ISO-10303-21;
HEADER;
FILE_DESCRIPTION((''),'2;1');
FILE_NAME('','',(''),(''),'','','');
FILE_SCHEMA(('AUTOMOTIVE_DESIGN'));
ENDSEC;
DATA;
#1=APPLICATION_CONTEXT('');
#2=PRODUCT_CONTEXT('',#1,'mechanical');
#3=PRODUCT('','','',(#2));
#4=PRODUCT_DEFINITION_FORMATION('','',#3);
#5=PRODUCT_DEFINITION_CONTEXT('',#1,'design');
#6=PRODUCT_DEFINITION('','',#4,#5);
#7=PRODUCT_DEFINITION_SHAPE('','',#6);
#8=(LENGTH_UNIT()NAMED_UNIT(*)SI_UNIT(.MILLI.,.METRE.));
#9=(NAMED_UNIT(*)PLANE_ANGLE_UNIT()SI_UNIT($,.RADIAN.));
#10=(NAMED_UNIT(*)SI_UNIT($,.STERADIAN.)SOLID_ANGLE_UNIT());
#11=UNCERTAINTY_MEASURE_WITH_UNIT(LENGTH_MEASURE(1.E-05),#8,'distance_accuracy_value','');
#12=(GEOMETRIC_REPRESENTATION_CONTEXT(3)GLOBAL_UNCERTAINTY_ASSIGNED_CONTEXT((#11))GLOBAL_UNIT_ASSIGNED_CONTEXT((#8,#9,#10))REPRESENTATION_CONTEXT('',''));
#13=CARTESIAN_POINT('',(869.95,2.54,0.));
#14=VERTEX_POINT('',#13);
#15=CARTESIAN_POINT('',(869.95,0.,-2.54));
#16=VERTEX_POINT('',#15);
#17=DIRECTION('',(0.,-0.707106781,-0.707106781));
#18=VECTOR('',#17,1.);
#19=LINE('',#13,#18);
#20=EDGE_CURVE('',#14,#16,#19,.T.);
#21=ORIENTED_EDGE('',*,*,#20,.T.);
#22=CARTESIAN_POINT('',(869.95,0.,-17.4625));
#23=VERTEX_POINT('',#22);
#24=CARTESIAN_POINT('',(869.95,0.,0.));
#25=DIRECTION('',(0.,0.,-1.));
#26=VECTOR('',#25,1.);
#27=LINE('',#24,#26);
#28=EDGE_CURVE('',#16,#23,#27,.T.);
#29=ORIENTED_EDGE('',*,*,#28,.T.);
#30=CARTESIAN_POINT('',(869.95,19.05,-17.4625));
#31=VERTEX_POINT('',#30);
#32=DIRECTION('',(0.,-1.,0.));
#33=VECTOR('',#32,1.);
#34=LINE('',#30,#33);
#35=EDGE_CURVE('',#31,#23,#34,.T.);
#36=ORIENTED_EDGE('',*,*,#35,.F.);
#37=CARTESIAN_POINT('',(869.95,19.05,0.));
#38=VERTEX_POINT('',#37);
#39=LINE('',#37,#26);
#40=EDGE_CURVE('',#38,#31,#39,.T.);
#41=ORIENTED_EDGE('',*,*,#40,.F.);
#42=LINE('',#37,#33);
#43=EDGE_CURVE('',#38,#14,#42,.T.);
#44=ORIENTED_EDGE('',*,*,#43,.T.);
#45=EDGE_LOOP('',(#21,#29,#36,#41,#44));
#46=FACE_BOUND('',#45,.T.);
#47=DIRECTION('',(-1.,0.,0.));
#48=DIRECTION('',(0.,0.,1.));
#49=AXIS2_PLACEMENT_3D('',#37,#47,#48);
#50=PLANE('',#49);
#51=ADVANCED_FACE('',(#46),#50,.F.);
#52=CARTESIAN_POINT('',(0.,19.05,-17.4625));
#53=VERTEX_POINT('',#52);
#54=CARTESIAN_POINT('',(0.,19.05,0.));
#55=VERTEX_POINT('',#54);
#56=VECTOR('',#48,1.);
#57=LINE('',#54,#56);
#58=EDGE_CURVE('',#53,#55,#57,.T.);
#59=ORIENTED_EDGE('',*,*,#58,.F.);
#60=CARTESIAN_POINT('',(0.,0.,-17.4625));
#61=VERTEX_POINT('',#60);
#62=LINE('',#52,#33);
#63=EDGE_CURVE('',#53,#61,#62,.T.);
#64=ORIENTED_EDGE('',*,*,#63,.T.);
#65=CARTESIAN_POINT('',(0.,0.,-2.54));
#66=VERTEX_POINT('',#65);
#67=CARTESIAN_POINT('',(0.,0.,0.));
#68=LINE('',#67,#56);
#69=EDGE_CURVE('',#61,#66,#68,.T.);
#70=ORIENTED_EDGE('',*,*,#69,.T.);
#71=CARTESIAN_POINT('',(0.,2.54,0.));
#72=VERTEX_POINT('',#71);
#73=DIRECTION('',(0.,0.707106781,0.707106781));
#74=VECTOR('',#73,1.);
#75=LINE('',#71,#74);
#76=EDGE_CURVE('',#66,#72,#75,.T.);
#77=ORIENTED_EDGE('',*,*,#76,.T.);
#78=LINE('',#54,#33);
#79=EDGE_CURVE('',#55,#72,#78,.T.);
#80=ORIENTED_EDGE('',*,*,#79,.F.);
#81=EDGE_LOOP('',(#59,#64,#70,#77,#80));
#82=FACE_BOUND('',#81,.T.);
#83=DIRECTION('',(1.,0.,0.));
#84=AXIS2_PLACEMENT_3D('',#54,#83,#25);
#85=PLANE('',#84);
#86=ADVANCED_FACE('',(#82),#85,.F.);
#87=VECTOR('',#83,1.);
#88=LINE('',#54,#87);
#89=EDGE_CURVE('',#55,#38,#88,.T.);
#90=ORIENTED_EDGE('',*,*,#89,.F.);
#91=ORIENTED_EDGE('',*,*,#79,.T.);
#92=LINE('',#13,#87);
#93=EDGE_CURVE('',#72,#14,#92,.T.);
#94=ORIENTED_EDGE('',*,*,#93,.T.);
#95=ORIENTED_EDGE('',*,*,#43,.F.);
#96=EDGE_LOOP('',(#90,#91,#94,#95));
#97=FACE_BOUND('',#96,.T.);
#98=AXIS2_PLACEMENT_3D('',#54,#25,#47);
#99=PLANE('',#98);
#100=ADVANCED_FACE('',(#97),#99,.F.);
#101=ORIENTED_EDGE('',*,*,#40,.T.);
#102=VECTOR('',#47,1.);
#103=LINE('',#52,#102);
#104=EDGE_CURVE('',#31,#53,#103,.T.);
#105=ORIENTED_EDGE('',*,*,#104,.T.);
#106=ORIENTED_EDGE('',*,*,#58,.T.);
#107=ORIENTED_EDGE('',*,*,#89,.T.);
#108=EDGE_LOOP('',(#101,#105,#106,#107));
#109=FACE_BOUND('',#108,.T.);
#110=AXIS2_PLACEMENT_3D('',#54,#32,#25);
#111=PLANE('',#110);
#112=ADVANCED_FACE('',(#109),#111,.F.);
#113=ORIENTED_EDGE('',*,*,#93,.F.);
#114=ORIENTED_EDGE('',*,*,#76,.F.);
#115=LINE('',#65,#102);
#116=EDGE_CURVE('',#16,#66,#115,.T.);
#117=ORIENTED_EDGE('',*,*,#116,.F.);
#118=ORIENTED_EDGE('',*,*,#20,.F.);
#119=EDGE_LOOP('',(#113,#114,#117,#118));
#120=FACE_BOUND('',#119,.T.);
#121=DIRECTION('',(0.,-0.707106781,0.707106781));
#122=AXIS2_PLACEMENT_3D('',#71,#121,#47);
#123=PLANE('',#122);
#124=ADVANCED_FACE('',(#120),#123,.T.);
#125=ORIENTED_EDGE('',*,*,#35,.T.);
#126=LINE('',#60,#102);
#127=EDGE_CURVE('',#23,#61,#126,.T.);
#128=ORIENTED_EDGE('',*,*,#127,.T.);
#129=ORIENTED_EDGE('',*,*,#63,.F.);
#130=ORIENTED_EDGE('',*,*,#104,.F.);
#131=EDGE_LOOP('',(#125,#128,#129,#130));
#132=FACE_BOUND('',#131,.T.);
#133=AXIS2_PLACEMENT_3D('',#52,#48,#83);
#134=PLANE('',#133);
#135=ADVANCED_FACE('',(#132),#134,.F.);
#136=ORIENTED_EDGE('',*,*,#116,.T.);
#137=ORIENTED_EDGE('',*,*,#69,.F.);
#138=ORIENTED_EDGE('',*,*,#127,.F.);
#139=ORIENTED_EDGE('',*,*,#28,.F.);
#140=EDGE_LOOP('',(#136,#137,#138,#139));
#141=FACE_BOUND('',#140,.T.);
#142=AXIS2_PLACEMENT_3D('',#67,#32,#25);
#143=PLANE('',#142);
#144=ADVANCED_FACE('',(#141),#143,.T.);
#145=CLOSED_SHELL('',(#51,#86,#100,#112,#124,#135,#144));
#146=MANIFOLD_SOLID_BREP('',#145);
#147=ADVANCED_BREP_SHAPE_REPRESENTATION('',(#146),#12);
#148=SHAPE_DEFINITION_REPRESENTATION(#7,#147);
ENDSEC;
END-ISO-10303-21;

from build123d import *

# Parameters (mm, degrees)
SKETCH1_W           = 869.95
SKETCH1_H           = 17.4625
BOSS_EXTRUDE1_DEPTH = 19.05
CHAMFER1_SIZE       = 2.54


with BuildPart() as part:
    # Sketch1 → Boss-Extrude1 (new body)
    with BuildSketch(Plane(origin=(0, 0, 0), x_dir=(1, 0, 0), z_dir=(0, 1, 0))):
        with Locations((434.975, 8.73125)):
            Rectangle(SKETCH1_W, SKETCH1_H)
    extrude(amount=BOSS_EXTRUDE1_DEPTH)

    # Chamfer1
    chamfer1_edges = [part.edges().sort_by_distance(p)[0] for p in [
        (434.975, 0, 0),
    ]]
    chamfer(chamfer1_edges, length=CHAMFER1_SIZE)


solid = part.part
